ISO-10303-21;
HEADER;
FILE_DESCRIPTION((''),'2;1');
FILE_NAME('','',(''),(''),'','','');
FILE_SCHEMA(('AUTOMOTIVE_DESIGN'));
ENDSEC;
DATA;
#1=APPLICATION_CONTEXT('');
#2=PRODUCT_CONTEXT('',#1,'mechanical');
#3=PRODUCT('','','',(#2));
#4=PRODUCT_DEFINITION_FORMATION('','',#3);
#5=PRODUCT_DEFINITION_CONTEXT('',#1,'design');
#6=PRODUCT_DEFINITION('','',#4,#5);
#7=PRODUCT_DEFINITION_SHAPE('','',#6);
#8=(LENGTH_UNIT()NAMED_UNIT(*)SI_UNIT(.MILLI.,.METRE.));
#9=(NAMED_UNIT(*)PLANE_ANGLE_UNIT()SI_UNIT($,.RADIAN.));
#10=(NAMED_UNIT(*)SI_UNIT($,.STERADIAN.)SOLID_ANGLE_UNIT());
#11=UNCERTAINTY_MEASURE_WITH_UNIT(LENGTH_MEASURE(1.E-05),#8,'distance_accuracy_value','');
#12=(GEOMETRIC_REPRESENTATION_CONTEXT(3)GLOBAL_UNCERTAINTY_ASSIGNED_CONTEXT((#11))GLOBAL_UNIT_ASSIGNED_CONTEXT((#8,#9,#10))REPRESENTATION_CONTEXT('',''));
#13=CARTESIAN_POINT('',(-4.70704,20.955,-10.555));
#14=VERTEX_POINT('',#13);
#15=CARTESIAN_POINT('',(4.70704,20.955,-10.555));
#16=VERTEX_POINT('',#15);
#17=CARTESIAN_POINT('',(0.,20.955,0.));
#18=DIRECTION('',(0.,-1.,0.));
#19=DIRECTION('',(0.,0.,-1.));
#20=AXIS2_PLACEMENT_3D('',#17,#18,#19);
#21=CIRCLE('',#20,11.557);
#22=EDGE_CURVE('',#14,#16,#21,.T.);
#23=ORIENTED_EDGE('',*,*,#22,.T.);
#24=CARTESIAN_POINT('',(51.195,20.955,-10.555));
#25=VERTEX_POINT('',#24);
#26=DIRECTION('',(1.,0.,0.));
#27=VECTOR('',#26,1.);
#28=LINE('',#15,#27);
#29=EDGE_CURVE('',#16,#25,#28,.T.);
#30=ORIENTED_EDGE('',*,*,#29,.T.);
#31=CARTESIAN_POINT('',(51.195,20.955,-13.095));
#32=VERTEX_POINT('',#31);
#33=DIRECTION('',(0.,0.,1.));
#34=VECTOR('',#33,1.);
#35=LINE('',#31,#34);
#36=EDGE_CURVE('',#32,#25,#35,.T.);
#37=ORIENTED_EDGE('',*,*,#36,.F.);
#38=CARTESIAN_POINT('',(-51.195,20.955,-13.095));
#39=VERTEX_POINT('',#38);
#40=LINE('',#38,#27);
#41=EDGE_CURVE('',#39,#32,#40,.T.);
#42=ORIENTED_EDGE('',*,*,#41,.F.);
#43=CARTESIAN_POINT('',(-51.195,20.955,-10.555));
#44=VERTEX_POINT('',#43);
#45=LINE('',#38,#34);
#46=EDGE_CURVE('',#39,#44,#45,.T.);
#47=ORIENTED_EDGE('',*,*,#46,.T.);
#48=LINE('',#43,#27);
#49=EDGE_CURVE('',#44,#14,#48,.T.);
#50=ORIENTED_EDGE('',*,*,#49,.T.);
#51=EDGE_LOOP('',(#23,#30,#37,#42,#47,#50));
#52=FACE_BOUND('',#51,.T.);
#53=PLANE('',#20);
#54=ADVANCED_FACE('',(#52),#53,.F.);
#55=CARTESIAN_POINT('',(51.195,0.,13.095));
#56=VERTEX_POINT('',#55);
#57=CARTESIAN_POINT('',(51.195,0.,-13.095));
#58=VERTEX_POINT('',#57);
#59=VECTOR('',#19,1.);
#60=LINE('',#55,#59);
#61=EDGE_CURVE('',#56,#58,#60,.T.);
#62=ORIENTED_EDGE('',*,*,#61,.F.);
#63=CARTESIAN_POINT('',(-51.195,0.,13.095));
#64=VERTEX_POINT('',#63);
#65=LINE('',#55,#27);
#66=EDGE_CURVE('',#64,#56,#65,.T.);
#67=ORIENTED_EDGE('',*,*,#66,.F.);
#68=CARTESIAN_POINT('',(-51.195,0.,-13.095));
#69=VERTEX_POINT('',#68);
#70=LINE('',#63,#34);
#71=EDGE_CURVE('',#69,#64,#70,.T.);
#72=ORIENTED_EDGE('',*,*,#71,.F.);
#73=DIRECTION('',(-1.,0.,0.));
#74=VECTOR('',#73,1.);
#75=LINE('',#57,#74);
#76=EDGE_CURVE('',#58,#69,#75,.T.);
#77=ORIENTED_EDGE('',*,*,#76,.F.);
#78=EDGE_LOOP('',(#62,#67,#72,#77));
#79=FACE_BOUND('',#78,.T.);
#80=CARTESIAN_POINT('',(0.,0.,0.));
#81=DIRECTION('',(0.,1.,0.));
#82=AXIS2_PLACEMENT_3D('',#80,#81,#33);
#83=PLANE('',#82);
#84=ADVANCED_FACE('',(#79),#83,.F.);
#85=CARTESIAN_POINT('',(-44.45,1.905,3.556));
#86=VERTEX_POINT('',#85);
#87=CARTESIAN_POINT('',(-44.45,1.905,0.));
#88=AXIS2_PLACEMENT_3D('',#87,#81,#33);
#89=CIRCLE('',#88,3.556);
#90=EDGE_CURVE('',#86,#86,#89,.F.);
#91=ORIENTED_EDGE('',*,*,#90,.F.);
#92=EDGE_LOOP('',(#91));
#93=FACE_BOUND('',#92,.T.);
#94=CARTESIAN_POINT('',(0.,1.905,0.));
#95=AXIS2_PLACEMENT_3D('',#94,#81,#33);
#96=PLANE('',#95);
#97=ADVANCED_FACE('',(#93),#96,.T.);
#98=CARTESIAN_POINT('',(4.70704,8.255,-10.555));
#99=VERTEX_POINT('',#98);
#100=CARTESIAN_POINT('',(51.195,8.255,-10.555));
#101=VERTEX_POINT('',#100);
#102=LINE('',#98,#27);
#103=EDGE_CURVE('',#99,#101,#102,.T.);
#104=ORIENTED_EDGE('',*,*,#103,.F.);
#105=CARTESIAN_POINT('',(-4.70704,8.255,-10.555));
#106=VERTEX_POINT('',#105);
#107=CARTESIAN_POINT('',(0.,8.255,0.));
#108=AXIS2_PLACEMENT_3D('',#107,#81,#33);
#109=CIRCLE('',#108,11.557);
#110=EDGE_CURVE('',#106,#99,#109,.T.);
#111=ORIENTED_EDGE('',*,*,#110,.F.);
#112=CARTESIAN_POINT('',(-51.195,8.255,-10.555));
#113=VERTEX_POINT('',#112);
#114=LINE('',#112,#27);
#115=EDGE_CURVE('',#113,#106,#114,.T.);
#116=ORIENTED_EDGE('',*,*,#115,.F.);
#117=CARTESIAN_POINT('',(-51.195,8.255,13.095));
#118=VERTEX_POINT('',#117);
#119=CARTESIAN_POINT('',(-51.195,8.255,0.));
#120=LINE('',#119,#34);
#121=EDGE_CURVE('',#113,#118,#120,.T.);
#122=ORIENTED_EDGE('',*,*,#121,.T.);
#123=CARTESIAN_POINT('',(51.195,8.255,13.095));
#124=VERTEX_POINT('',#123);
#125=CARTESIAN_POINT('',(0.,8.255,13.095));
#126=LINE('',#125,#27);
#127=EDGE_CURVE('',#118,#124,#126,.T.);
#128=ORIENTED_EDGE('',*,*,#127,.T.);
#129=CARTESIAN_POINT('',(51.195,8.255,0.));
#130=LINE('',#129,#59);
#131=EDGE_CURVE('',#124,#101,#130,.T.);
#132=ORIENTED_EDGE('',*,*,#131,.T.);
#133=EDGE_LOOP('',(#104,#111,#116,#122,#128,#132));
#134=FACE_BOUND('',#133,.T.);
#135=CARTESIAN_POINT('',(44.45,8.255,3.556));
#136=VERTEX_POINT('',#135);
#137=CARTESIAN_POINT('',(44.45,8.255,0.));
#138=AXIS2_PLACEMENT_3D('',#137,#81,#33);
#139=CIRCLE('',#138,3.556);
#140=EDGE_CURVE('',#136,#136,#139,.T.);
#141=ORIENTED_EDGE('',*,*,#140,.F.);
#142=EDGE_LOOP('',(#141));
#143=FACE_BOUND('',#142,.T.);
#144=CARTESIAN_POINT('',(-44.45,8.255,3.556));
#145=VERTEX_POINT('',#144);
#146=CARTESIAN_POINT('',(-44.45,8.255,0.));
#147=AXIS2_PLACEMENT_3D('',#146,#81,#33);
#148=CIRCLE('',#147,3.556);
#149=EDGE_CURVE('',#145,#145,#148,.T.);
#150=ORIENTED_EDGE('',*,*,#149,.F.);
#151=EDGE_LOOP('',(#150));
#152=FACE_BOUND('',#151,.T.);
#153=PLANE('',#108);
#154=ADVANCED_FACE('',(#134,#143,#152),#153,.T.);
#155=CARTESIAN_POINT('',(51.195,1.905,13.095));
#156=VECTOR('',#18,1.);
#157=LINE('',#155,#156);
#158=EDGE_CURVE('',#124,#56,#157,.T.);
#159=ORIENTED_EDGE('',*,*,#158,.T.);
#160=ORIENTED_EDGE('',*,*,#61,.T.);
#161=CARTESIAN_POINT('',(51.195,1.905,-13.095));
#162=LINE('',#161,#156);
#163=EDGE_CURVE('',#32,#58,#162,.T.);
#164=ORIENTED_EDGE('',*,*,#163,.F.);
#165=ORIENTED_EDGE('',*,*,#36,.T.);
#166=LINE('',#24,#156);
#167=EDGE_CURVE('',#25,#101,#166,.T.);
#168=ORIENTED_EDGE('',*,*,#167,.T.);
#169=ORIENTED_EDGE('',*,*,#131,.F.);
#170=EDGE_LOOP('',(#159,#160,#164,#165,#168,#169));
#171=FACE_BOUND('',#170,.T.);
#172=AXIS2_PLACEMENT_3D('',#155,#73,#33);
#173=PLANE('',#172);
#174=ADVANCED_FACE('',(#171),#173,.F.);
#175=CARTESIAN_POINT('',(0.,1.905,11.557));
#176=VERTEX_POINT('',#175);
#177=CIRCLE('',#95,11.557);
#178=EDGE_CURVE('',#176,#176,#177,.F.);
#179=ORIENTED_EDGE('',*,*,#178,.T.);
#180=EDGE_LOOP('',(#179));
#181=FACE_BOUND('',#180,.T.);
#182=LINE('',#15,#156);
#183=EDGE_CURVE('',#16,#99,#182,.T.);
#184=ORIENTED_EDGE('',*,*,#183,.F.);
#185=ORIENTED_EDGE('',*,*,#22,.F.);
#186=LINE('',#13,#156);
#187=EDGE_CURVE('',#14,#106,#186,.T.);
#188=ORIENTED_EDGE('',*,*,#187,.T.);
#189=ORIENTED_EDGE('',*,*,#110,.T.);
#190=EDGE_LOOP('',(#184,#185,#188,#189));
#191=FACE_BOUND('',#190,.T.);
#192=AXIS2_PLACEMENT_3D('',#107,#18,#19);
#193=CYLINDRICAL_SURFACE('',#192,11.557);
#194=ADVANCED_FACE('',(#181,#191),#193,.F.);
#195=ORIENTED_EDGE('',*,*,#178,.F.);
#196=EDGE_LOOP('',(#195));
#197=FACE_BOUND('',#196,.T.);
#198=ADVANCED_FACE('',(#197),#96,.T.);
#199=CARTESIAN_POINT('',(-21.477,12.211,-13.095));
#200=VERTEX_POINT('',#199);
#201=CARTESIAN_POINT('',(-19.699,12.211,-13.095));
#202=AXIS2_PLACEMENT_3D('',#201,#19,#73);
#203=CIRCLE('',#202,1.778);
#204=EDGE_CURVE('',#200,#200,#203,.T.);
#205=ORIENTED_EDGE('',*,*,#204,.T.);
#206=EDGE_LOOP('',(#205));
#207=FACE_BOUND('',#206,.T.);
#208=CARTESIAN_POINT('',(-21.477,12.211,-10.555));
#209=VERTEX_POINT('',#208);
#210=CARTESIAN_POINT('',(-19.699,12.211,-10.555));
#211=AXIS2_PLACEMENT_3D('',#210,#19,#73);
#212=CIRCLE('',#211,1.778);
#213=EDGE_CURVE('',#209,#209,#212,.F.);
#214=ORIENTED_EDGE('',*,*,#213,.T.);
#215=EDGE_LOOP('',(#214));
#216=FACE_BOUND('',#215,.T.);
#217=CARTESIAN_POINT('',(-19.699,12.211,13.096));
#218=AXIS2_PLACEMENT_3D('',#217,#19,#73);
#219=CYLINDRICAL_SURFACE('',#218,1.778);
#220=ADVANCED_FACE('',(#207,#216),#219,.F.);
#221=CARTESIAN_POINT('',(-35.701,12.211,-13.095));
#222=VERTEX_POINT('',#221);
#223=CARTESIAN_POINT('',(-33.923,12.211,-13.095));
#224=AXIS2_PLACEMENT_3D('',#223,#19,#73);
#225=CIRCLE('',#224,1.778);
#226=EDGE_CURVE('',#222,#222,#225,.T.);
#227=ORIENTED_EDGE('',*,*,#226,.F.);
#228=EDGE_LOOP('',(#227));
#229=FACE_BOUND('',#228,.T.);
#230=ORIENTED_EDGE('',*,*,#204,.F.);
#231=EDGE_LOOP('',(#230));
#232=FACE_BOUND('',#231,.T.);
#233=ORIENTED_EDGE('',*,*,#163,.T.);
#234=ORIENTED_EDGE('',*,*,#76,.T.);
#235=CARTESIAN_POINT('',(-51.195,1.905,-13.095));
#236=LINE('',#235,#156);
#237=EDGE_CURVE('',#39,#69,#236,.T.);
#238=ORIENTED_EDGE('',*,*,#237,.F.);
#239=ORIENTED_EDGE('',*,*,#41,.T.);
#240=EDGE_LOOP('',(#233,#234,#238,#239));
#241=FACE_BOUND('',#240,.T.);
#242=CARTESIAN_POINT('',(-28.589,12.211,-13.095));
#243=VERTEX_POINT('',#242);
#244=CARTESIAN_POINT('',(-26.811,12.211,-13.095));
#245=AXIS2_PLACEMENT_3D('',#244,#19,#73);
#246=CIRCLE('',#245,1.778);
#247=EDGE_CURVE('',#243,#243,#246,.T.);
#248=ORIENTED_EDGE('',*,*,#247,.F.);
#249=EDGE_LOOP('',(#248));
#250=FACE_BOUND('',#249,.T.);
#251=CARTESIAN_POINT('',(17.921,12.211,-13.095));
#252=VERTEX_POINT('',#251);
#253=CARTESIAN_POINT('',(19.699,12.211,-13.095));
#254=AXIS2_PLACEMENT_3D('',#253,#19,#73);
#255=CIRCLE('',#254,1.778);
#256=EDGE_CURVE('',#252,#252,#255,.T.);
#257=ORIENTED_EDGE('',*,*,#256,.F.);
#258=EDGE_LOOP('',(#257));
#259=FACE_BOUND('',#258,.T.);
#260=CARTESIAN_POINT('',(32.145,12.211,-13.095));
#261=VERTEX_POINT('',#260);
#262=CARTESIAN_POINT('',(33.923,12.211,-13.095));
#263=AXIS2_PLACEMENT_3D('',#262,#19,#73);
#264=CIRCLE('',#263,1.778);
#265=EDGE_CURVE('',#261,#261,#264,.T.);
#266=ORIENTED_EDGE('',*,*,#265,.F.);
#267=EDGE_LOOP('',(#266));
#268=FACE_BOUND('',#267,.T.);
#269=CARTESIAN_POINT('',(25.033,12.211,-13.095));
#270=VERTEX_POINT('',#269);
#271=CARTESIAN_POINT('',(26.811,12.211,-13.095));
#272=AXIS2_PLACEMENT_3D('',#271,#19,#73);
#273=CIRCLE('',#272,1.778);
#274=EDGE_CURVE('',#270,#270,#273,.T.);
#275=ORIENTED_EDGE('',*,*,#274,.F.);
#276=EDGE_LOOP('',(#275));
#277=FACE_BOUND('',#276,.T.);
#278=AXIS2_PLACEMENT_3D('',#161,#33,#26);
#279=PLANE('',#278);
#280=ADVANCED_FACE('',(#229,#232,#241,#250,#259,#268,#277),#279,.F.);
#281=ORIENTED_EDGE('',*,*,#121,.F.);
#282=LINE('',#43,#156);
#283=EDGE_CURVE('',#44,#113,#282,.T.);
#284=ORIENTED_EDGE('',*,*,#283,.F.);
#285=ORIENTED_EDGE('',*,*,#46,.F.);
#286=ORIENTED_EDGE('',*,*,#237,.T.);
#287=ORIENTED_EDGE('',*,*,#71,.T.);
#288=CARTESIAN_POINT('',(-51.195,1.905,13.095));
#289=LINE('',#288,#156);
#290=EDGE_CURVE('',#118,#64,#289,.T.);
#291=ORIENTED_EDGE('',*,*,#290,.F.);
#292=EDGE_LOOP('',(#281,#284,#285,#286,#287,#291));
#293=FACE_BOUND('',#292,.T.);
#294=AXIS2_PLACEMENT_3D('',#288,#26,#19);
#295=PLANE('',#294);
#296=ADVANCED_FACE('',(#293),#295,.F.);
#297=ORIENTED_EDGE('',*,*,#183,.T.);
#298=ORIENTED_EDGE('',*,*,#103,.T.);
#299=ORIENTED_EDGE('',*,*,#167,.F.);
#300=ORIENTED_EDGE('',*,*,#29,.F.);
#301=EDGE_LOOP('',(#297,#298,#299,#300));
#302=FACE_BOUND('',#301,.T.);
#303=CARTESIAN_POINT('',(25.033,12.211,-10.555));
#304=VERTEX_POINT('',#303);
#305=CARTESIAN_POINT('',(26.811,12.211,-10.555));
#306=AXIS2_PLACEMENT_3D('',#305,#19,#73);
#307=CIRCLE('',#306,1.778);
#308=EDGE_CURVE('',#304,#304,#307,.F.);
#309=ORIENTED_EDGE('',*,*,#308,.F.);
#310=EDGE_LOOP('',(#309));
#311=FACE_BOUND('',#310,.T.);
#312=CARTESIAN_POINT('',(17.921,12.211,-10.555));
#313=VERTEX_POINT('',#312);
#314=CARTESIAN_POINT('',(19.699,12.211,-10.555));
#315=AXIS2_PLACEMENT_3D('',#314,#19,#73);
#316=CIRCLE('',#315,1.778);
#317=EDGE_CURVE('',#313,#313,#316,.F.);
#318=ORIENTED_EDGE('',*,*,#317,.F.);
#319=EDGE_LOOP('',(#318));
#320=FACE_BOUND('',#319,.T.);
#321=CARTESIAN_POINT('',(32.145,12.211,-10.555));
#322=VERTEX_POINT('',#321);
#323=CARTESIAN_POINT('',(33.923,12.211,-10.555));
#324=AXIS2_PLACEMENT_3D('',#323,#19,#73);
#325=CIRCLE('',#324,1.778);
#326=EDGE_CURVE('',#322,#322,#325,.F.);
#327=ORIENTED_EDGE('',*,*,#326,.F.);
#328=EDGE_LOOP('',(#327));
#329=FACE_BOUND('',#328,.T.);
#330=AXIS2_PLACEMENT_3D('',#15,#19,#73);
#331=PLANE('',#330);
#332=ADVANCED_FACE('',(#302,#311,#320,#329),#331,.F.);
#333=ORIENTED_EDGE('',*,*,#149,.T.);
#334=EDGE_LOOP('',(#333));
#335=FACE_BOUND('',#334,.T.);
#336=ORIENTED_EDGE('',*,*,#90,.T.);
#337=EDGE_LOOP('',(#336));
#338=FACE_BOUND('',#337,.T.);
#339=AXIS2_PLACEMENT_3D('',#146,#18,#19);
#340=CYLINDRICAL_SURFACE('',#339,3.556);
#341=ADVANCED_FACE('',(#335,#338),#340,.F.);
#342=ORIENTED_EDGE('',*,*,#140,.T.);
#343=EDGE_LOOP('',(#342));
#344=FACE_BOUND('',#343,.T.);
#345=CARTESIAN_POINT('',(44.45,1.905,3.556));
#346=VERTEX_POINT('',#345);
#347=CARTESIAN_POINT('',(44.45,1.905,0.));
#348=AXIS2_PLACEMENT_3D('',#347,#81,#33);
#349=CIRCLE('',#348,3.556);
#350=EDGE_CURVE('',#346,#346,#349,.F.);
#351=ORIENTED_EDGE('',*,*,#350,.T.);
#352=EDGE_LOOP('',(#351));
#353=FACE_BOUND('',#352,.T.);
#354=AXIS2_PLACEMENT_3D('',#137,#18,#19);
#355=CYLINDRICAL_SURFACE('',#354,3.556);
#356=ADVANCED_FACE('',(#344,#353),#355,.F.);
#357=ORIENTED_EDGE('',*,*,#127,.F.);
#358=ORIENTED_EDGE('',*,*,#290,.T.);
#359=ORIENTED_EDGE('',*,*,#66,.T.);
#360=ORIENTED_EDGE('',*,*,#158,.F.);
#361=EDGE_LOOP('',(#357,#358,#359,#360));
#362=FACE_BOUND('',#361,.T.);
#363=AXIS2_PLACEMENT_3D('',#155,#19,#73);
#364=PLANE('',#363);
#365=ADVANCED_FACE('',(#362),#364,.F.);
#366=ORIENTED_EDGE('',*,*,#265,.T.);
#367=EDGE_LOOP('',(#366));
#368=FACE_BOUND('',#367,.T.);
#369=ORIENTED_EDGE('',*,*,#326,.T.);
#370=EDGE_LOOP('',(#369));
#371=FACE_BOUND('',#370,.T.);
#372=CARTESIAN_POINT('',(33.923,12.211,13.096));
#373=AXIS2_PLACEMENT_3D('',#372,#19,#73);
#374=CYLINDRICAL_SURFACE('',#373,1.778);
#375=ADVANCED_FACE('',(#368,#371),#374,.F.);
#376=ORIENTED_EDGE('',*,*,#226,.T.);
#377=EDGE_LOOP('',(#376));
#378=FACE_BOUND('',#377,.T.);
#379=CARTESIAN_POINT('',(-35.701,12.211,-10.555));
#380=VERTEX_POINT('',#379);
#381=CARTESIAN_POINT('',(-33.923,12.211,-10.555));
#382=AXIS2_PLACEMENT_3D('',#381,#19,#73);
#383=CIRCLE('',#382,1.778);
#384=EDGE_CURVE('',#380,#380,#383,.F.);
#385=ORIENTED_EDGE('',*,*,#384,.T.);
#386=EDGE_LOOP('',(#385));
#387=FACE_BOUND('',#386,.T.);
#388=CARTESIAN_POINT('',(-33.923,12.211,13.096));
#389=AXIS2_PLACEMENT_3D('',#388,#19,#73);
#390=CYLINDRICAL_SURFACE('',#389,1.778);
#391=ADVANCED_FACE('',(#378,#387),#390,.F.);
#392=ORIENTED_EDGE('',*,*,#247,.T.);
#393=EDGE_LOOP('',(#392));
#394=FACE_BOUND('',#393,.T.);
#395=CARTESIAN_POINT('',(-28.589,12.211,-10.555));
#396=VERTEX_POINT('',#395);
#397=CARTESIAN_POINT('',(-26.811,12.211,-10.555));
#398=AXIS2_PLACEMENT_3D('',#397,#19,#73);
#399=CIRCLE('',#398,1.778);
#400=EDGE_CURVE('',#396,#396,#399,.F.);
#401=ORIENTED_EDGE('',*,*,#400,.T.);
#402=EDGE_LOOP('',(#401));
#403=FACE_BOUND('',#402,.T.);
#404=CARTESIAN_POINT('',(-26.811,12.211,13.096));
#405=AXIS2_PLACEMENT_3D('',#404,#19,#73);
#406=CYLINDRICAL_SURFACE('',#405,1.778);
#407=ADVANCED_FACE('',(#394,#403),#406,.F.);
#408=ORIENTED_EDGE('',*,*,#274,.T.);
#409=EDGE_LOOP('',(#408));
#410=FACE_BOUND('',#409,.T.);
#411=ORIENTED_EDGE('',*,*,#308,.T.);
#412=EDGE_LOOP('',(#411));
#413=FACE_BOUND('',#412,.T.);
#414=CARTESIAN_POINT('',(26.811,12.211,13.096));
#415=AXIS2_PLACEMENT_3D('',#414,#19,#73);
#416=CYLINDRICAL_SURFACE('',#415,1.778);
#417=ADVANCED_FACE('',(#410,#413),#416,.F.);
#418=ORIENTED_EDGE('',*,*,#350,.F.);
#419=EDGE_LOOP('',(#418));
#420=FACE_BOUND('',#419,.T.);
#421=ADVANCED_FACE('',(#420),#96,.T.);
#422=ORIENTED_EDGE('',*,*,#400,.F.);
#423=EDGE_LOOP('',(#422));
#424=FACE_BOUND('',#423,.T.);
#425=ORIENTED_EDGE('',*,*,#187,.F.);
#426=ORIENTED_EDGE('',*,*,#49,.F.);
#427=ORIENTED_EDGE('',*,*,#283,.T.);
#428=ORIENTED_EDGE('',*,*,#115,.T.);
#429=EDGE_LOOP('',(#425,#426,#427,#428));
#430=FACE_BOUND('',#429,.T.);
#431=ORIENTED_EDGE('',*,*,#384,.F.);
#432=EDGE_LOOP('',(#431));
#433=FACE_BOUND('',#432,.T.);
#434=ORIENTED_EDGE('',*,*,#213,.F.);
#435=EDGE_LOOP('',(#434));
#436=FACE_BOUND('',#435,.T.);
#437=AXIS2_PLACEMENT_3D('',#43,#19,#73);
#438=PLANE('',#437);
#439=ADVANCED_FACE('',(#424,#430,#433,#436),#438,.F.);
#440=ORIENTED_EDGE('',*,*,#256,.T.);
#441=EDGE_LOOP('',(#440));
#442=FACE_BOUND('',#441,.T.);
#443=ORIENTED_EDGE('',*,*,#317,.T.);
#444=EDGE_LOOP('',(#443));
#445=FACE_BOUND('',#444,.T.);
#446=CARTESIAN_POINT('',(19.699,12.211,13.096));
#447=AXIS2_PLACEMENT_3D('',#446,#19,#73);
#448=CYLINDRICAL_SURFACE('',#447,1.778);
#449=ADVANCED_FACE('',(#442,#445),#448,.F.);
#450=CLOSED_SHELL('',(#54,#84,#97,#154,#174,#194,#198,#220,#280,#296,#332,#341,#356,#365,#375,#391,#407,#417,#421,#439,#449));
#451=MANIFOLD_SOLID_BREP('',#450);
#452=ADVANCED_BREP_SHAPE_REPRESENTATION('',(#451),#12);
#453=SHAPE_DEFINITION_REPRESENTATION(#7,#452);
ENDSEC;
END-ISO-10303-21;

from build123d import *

# Parameters (mm, degrees)
SKETCH1_W           = 102.39
SKETCH1_H           = 26.19
BOSS_EXTRUDE1_DEPTH = 1.905
SKETCH2_W           = 102.39
SKETCH2_H           = 26.19
SKETCH2_R           = 11.557
SKETCH2_R_2         = 3.556
BOSS_EXTRUDE3_DEPTH = 6.35
BOSS_EXTRUDE4_DEPTH = 12.7
CUT_EXTRUDE1_REACH  = 63.204
SKETCH4_R           = 1.778


with BuildPart() as part:
    # Sketch1 → Boss-Extrude1 (new body)
    with BuildSketch(Plane(origin=(0, 0, 0), x_dir=(1, 0, 0), z_dir=(0, 1, 0))):
        Rectangle(SKETCH1_W, SKETCH1_H)
    extrude(amount=BOSS_EXTRUDE1_DEPTH)

    # Sketch2 → Boss-Extrude3 (add)
    with BuildSketch(Plane(origin=(0, 1.905, 0), x_dir=(1, 0, 0), z_dir=(0, 1, 0))):
        Rectangle(SKETCH2_W, SKETCH2_H)
        with Locations(Location((0, 0, 0), (0, 0, 270))):
            Circle(SKETCH2_R, mode=Mode.SUBTRACT)
        with Locations(Location((-44.45, 0, 0), (0, 0, 270))):
            Circle(SKETCH2_R_2, mode=Mode.SUBTRACT)
        with Locations(Location((44.45, 0, 0), (0, 0, 270))):
            Circle(SKETCH2_R_2, mode=Mode.SUBTRACT)
    extrude(amount=BOSS_EXTRUDE3_DEPTH)

    # Sketch3 → Boss-Extrude4 (add)
    with BuildSketch(Plane(origin=(0, 8.255, 0), x_dir=(1, 0, 0), z_dir=(0, 1, 0))):
        with BuildLine():
            Line((-51.195, 13.095), (51.195, 13.095))
            Line((51.195, 13.095), (51.195, 10.555))
            Line((51.195, 10.555), (4.707039834, 10.555))
            ThreePointArc((4.707039834, 10.555), (0, 11.557), (-4.707039834, 10.555))
            Line((-4.707039834, 10.555), (-51.195, 10.555))
            Line((-51.195, 10.555), (-51.195, 13.095))
        make_face()
    extrude(amount=BOSS_EXTRUDE4_DEPTH)

    # Sketch4 → Cut-Extrude1 (cut, up to next)
    with BuildSketch(Plane(origin=(0, 0, -13.095), x_dir=(-1, 0, 0), z_dir=(0, 0, -1)), mode=Mode.PRIVATE) as cut_extrude1_sk1:
        with Locations((33.923, 12.211)):
            Circle(SKETCH4_R)
    cut_extrude1_tool1 = extrude(cut_extrude1_sk1.sketch, amount=-CUT_EXTRUDE1_REACH, mode=Mode.PRIVATE) & part.part
    # Sketch4 → Cut-Extrude1 (cut, up to next)
    with BuildSketch(Plane(origin=(0, 0, -13.095), x_dir=(-1, 0, 0), z_dir=(0, 0, -1)), mode=Mode.PRIVATE) as cut_extrude1_sk2:
        with Locations((26.811, 12.211)):
            Circle(SKETCH4_R)
    cut_extrude1_tool2 = extrude(cut_extrude1_sk2.sketch, amount=-CUT_EXTRUDE1_REACH, mode=Mode.PRIVATE) & part.part
    # Sketch4 → Cut-Extrude1 (cut, up to next)
    with BuildSketch(Plane(origin=(0, 0, -13.095), x_dir=(-1, 0, 0), z_dir=(0, 0, -1)), mode=Mode.PRIVATE) as cut_extrude1_sk3:
        with Locations((19.699, 12.211)):
            Circle(SKETCH4_R)
    cut_extrude1_tool3 = extrude(cut_extrude1_sk3.sketch, amount=-CUT_EXTRUDE1_REACH, mode=Mode.PRIVATE) & part.part
    # Sketch4 → Cut-Extrude1 (cut, up to next)
    with BuildSketch(Plane(origin=(0, 0, -13.095), x_dir=(-1, 0, 0), z_dir=(0, 0, -1)), mode=Mode.PRIVATE) as cut_extrude1_sk4:
        with Locations((-33.923, 12.211)):
            Circle(SKETCH4_R)
    cut_extrude1_tool4 = extrude(cut_extrude1_sk4.sketch, amount=-CUT_EXTRUDE1_REACH, mode=Mode.PRIVATE) & part.part
    # Sketch4 → Cut-Extrude1 (cut, up to next)
    with BuildSketch(Plane(origin=(0, 0, -13.095), x_dir=(-1, 0, 0), z_dir=(0, 0, -1)), mode=Mode.PRIVATE) as cut_extrude1_sk5:
        with Locations((-26.811, 12.211)):
            Circle(SKETCH4_R)
    cut_extrude1_tool5 = extrude(cut_extrude1_sk5.sketch, amount=-CUT_EXTRUDE1_REACH, mode=Mode.PRIVATE) & part.part
    # Sketch4 → Cut-Extrude1 (cut, up to next)
    with BuildSketch(Plane(origin=(0, 0, -13.095), x_dir=(-1, 0, 0), z_dir=(0, 0, -1)), mode=Mode.PRIVATE) as cut_extrude1_sk6:
        with Locations((-19.699, 12.211)):
            Circle(SKETCH4_R)
    cut_extrude1_tool6 = extrude(cut_extrude1_sk6.sketch, amount=-CUT_EXTRUDE1_REACH, mode=Mode.PRIVATE) & part.part
    add(cut_extrude1_tool1.solids().sort_by_distance((-33.923, 12.211, -13.095))[0], mode=Mode.SUBTRACT)
    add(cut_extrude1_tool2.solids().sort_by_distance((-26.811, 12.211, -13.095))[0], mode=Mode.SUBTRACT)
    add(cut_extrude1_tool3.solids().sort_by_distance((-19.699, 12.211, -13.095))[0], mode=Mode.SUBTRACT)
    add(cut_extrude1_tool4.solids().sort_by_distance((33.923, 12.211, -13.095))[0], mode=Mode.SUBTRACT)
    add(cut_extrude1_tool5.solids().sort_by_distance((26.811, 12.211, -13.095))[0], mode=Mode.SUBTRACT)
    add(cut_extrude1_tool6.solids().sort_by_distance((19.699, 12.211, -13.095))[0], mode=Mode.SUBTRACT)


solid = part.part
